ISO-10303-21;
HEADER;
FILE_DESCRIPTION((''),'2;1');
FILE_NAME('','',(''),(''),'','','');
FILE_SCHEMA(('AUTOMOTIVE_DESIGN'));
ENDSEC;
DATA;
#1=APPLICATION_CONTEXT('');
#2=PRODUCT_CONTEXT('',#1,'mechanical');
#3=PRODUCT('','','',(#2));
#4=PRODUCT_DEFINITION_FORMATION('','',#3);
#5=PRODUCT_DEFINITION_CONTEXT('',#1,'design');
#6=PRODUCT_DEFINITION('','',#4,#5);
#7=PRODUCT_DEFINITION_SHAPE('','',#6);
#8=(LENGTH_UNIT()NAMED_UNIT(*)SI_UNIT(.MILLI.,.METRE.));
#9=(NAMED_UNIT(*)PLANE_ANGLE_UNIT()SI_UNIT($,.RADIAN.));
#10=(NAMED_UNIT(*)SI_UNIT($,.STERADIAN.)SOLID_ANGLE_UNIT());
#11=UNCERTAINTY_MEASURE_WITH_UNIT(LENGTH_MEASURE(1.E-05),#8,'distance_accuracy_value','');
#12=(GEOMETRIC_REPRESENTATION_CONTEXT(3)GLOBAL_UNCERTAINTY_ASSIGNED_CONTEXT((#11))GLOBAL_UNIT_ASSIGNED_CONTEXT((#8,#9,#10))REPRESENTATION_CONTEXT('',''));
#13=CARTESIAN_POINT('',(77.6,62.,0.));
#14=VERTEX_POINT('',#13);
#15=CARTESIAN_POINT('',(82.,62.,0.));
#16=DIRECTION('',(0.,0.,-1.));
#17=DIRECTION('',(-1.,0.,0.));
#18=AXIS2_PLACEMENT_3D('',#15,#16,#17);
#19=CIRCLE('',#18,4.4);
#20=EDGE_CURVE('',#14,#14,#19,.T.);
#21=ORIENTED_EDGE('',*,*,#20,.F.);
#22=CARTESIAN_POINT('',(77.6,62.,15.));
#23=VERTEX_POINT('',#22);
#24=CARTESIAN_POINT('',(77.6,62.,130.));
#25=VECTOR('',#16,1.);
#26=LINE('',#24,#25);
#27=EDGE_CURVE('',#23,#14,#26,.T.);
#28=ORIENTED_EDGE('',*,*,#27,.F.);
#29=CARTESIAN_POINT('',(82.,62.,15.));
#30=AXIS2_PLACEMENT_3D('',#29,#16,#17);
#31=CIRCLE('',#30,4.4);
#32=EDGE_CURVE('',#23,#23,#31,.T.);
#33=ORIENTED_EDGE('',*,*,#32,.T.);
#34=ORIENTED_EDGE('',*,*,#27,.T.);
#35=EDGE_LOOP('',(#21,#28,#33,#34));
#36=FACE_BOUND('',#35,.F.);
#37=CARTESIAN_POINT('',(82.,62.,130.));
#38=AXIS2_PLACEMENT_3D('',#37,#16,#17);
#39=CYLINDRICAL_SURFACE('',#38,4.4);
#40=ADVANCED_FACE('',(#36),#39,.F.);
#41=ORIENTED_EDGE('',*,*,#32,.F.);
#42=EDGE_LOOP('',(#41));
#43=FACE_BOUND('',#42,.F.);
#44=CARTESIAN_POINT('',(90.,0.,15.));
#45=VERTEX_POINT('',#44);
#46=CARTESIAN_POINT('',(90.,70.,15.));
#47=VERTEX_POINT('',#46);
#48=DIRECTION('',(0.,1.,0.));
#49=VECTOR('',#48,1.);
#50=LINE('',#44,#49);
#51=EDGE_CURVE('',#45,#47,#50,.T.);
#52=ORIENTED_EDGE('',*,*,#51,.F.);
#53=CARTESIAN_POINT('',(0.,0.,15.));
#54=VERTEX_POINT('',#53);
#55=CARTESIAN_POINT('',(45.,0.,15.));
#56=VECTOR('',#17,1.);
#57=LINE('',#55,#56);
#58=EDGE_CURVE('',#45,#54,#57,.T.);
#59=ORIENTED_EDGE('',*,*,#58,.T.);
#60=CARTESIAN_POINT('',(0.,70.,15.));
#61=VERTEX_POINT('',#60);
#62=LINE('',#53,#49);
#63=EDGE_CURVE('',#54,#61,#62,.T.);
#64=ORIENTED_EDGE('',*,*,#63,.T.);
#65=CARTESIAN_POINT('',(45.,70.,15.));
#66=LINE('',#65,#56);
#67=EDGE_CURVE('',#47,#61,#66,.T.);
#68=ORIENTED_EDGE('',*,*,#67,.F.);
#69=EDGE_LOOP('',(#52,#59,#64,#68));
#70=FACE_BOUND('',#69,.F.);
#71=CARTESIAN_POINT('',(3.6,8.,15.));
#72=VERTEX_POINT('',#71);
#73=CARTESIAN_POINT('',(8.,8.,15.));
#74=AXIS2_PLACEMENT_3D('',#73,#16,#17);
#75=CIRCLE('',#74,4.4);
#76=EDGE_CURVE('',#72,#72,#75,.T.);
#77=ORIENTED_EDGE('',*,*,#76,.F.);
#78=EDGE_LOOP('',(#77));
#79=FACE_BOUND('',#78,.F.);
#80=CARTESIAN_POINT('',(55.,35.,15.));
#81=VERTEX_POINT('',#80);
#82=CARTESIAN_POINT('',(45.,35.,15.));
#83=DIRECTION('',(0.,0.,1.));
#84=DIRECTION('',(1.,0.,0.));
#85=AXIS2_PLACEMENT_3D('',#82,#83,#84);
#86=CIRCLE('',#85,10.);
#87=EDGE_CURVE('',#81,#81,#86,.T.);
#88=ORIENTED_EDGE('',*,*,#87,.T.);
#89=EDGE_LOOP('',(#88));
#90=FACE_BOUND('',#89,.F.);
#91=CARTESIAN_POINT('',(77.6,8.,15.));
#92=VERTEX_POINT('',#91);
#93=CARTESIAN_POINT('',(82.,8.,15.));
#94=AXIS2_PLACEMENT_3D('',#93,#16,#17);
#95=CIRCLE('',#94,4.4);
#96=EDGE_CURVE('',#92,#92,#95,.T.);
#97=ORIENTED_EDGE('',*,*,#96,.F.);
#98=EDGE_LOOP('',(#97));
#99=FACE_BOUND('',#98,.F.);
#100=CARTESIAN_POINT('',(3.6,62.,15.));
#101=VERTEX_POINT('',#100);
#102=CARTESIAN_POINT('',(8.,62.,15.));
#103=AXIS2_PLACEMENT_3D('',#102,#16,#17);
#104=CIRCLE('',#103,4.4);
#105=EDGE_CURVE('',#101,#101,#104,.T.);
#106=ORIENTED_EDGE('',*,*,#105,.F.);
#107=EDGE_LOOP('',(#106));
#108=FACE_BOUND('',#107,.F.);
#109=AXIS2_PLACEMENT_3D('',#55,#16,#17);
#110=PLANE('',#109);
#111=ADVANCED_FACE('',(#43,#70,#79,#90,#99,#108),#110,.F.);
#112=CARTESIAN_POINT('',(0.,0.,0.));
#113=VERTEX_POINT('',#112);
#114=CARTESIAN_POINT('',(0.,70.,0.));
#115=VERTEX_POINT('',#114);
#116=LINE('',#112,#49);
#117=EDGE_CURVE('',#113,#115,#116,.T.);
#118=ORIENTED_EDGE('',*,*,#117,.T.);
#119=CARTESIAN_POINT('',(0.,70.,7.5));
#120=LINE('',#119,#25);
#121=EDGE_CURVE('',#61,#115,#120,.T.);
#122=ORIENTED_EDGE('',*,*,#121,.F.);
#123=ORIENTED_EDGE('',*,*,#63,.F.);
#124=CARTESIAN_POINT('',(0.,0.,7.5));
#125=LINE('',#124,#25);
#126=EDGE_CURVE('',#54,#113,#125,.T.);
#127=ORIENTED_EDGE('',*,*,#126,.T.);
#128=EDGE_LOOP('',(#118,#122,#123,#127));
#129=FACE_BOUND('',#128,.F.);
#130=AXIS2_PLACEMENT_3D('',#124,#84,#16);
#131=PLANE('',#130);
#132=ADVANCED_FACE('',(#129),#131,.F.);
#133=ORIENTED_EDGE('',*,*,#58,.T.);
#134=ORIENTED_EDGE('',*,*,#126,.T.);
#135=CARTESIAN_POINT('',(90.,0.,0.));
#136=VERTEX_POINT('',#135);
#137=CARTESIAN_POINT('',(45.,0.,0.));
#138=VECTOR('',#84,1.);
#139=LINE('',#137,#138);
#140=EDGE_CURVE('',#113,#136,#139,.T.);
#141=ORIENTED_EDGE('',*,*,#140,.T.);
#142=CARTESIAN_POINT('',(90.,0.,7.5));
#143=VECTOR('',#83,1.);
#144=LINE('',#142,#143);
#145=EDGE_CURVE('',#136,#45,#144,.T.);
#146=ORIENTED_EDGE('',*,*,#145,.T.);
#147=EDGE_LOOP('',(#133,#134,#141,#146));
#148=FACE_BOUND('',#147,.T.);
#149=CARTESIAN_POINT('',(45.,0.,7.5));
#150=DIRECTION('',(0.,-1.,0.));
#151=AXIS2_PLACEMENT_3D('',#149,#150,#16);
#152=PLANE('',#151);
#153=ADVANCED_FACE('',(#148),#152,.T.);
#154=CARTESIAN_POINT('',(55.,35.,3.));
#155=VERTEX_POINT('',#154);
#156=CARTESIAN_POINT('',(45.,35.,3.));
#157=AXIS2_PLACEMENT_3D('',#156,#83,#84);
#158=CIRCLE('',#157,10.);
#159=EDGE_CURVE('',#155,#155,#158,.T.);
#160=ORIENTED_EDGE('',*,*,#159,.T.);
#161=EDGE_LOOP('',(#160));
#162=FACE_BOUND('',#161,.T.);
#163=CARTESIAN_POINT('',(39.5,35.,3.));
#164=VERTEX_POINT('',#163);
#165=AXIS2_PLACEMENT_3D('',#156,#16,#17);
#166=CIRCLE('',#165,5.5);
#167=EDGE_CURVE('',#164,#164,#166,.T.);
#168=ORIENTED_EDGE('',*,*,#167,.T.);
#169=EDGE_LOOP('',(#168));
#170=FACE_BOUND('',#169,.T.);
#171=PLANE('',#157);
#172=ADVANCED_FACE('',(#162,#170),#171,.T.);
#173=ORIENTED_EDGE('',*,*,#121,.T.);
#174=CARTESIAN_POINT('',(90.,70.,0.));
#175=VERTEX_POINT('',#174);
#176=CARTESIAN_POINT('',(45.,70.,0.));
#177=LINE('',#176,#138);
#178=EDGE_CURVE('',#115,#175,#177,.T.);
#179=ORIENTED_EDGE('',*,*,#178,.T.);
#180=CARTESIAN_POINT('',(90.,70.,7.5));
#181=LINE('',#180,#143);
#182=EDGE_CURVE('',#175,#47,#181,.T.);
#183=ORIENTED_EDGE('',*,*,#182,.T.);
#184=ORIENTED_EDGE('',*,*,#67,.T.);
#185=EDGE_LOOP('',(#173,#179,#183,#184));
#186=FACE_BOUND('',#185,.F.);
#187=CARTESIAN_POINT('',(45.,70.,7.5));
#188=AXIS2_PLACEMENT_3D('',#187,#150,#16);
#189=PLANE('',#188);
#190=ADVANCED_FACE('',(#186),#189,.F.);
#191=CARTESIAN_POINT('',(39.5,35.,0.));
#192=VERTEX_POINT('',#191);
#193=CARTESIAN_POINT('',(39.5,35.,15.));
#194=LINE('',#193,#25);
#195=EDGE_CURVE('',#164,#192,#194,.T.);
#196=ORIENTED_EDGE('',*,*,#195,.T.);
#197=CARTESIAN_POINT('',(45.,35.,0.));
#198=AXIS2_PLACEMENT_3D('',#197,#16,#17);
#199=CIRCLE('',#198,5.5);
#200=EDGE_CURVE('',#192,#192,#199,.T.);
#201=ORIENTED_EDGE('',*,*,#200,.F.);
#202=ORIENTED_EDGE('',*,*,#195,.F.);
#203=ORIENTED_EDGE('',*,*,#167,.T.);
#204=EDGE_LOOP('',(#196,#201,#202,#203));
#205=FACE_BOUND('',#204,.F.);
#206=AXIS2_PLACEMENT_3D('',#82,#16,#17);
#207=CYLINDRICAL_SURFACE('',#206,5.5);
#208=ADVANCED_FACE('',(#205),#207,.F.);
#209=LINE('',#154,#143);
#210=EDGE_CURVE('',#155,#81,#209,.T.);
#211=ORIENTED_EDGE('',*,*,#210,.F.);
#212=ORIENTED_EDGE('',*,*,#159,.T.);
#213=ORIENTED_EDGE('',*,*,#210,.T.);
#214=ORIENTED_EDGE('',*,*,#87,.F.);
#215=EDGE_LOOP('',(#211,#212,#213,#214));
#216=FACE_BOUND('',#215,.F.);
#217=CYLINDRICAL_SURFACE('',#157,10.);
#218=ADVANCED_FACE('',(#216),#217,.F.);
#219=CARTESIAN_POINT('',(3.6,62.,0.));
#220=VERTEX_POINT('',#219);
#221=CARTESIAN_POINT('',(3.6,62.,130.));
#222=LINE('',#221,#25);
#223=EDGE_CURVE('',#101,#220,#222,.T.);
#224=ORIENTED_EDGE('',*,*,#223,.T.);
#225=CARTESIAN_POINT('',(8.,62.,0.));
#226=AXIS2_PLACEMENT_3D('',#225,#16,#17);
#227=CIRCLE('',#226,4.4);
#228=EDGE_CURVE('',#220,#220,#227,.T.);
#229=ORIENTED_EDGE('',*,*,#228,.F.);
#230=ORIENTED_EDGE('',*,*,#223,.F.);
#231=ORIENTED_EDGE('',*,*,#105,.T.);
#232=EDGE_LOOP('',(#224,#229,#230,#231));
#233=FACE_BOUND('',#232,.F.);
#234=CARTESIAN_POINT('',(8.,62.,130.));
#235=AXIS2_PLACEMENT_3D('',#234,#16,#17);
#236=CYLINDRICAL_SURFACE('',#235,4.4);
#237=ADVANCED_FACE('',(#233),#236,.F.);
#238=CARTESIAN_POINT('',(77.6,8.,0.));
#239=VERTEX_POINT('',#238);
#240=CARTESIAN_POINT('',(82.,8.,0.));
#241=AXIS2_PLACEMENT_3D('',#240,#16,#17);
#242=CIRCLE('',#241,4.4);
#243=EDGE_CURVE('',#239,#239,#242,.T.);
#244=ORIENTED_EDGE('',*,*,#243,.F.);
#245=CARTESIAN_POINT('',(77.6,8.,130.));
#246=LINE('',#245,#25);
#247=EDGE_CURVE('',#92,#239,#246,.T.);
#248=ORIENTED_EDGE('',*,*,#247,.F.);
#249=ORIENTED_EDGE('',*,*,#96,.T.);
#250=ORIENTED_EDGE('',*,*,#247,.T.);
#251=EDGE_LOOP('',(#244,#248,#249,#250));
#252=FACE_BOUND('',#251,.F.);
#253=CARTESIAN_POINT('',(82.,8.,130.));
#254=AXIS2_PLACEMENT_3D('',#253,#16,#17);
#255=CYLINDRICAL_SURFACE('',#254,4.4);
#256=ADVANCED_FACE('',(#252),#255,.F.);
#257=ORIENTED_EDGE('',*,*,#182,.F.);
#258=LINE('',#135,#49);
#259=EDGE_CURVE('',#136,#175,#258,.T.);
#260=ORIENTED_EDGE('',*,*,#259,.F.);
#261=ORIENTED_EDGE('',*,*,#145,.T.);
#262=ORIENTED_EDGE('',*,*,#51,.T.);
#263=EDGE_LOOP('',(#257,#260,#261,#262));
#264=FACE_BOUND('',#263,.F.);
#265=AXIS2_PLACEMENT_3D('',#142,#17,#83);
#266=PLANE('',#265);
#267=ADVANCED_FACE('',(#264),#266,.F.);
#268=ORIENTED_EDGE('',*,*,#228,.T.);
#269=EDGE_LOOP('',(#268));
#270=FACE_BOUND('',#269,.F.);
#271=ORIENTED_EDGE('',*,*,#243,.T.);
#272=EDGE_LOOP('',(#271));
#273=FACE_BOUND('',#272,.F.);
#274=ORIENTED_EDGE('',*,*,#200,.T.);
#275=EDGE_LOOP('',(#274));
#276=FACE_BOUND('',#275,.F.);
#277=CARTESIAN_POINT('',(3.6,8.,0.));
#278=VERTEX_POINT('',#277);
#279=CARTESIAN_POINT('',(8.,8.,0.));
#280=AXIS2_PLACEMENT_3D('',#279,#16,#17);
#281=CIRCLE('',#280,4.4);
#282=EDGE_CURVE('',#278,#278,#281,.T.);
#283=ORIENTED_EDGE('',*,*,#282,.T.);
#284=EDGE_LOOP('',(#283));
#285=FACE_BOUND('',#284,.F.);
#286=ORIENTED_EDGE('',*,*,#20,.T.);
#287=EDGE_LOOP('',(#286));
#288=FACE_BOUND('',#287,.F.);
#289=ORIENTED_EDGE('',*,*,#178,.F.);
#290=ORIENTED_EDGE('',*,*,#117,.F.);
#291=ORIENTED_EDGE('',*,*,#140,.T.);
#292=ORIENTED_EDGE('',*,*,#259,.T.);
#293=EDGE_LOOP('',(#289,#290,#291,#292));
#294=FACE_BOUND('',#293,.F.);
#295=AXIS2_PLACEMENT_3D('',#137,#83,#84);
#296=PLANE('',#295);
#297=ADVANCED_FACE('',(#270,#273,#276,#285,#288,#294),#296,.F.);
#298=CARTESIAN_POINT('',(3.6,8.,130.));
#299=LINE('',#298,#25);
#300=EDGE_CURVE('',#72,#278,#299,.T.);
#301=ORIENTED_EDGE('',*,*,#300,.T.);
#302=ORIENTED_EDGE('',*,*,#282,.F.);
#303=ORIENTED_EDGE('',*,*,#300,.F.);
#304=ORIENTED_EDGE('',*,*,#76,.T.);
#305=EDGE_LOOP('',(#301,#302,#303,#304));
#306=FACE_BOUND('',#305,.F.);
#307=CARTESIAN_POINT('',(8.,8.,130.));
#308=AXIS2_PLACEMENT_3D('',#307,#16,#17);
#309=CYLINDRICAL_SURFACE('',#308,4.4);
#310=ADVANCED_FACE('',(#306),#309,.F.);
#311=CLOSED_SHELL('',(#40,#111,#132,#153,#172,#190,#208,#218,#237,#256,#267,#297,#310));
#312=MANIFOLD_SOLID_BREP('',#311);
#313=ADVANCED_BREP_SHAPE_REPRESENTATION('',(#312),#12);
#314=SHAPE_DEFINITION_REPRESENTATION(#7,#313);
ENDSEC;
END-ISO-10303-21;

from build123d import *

# Parameters (mm, degrees)
F0_W           = 90
F0_H           = 15
F4_D           = 8.8
F6_D           = 11
F6_CBORE_D     = 20
F6_CBORE_DEPTH = 12


with BuildPart() as f2:
    # F2: sweep along a path in F1
    with BuildLine(Plane.YZ) as f2_path:
        Line((0, 0), (70, 0))
    # F0 (on Front) → F2 (sweep)
    with BuildSketch(Plane.XZ):
        with Locations((45, 7.5)):
            Rectangle(F0_W, F0_H)
    sweep(path=f2_path.line)

    # F4 (through all)
    with Locations(Plane.XY.offset(15)):
        with Locations((8, 62), (82, 62), (82, 8), (8, 8)):
            Hole(F4_D / 2)

    # F6 (through all)
    with Locations(Plane.XY.offset(15)):
        with Locations((45, 35)):
            CounterBoreHole(F6_D / 2, F6_CBORE_D / 2, F6_CBORE_DEPTH)


solid = f2.part
